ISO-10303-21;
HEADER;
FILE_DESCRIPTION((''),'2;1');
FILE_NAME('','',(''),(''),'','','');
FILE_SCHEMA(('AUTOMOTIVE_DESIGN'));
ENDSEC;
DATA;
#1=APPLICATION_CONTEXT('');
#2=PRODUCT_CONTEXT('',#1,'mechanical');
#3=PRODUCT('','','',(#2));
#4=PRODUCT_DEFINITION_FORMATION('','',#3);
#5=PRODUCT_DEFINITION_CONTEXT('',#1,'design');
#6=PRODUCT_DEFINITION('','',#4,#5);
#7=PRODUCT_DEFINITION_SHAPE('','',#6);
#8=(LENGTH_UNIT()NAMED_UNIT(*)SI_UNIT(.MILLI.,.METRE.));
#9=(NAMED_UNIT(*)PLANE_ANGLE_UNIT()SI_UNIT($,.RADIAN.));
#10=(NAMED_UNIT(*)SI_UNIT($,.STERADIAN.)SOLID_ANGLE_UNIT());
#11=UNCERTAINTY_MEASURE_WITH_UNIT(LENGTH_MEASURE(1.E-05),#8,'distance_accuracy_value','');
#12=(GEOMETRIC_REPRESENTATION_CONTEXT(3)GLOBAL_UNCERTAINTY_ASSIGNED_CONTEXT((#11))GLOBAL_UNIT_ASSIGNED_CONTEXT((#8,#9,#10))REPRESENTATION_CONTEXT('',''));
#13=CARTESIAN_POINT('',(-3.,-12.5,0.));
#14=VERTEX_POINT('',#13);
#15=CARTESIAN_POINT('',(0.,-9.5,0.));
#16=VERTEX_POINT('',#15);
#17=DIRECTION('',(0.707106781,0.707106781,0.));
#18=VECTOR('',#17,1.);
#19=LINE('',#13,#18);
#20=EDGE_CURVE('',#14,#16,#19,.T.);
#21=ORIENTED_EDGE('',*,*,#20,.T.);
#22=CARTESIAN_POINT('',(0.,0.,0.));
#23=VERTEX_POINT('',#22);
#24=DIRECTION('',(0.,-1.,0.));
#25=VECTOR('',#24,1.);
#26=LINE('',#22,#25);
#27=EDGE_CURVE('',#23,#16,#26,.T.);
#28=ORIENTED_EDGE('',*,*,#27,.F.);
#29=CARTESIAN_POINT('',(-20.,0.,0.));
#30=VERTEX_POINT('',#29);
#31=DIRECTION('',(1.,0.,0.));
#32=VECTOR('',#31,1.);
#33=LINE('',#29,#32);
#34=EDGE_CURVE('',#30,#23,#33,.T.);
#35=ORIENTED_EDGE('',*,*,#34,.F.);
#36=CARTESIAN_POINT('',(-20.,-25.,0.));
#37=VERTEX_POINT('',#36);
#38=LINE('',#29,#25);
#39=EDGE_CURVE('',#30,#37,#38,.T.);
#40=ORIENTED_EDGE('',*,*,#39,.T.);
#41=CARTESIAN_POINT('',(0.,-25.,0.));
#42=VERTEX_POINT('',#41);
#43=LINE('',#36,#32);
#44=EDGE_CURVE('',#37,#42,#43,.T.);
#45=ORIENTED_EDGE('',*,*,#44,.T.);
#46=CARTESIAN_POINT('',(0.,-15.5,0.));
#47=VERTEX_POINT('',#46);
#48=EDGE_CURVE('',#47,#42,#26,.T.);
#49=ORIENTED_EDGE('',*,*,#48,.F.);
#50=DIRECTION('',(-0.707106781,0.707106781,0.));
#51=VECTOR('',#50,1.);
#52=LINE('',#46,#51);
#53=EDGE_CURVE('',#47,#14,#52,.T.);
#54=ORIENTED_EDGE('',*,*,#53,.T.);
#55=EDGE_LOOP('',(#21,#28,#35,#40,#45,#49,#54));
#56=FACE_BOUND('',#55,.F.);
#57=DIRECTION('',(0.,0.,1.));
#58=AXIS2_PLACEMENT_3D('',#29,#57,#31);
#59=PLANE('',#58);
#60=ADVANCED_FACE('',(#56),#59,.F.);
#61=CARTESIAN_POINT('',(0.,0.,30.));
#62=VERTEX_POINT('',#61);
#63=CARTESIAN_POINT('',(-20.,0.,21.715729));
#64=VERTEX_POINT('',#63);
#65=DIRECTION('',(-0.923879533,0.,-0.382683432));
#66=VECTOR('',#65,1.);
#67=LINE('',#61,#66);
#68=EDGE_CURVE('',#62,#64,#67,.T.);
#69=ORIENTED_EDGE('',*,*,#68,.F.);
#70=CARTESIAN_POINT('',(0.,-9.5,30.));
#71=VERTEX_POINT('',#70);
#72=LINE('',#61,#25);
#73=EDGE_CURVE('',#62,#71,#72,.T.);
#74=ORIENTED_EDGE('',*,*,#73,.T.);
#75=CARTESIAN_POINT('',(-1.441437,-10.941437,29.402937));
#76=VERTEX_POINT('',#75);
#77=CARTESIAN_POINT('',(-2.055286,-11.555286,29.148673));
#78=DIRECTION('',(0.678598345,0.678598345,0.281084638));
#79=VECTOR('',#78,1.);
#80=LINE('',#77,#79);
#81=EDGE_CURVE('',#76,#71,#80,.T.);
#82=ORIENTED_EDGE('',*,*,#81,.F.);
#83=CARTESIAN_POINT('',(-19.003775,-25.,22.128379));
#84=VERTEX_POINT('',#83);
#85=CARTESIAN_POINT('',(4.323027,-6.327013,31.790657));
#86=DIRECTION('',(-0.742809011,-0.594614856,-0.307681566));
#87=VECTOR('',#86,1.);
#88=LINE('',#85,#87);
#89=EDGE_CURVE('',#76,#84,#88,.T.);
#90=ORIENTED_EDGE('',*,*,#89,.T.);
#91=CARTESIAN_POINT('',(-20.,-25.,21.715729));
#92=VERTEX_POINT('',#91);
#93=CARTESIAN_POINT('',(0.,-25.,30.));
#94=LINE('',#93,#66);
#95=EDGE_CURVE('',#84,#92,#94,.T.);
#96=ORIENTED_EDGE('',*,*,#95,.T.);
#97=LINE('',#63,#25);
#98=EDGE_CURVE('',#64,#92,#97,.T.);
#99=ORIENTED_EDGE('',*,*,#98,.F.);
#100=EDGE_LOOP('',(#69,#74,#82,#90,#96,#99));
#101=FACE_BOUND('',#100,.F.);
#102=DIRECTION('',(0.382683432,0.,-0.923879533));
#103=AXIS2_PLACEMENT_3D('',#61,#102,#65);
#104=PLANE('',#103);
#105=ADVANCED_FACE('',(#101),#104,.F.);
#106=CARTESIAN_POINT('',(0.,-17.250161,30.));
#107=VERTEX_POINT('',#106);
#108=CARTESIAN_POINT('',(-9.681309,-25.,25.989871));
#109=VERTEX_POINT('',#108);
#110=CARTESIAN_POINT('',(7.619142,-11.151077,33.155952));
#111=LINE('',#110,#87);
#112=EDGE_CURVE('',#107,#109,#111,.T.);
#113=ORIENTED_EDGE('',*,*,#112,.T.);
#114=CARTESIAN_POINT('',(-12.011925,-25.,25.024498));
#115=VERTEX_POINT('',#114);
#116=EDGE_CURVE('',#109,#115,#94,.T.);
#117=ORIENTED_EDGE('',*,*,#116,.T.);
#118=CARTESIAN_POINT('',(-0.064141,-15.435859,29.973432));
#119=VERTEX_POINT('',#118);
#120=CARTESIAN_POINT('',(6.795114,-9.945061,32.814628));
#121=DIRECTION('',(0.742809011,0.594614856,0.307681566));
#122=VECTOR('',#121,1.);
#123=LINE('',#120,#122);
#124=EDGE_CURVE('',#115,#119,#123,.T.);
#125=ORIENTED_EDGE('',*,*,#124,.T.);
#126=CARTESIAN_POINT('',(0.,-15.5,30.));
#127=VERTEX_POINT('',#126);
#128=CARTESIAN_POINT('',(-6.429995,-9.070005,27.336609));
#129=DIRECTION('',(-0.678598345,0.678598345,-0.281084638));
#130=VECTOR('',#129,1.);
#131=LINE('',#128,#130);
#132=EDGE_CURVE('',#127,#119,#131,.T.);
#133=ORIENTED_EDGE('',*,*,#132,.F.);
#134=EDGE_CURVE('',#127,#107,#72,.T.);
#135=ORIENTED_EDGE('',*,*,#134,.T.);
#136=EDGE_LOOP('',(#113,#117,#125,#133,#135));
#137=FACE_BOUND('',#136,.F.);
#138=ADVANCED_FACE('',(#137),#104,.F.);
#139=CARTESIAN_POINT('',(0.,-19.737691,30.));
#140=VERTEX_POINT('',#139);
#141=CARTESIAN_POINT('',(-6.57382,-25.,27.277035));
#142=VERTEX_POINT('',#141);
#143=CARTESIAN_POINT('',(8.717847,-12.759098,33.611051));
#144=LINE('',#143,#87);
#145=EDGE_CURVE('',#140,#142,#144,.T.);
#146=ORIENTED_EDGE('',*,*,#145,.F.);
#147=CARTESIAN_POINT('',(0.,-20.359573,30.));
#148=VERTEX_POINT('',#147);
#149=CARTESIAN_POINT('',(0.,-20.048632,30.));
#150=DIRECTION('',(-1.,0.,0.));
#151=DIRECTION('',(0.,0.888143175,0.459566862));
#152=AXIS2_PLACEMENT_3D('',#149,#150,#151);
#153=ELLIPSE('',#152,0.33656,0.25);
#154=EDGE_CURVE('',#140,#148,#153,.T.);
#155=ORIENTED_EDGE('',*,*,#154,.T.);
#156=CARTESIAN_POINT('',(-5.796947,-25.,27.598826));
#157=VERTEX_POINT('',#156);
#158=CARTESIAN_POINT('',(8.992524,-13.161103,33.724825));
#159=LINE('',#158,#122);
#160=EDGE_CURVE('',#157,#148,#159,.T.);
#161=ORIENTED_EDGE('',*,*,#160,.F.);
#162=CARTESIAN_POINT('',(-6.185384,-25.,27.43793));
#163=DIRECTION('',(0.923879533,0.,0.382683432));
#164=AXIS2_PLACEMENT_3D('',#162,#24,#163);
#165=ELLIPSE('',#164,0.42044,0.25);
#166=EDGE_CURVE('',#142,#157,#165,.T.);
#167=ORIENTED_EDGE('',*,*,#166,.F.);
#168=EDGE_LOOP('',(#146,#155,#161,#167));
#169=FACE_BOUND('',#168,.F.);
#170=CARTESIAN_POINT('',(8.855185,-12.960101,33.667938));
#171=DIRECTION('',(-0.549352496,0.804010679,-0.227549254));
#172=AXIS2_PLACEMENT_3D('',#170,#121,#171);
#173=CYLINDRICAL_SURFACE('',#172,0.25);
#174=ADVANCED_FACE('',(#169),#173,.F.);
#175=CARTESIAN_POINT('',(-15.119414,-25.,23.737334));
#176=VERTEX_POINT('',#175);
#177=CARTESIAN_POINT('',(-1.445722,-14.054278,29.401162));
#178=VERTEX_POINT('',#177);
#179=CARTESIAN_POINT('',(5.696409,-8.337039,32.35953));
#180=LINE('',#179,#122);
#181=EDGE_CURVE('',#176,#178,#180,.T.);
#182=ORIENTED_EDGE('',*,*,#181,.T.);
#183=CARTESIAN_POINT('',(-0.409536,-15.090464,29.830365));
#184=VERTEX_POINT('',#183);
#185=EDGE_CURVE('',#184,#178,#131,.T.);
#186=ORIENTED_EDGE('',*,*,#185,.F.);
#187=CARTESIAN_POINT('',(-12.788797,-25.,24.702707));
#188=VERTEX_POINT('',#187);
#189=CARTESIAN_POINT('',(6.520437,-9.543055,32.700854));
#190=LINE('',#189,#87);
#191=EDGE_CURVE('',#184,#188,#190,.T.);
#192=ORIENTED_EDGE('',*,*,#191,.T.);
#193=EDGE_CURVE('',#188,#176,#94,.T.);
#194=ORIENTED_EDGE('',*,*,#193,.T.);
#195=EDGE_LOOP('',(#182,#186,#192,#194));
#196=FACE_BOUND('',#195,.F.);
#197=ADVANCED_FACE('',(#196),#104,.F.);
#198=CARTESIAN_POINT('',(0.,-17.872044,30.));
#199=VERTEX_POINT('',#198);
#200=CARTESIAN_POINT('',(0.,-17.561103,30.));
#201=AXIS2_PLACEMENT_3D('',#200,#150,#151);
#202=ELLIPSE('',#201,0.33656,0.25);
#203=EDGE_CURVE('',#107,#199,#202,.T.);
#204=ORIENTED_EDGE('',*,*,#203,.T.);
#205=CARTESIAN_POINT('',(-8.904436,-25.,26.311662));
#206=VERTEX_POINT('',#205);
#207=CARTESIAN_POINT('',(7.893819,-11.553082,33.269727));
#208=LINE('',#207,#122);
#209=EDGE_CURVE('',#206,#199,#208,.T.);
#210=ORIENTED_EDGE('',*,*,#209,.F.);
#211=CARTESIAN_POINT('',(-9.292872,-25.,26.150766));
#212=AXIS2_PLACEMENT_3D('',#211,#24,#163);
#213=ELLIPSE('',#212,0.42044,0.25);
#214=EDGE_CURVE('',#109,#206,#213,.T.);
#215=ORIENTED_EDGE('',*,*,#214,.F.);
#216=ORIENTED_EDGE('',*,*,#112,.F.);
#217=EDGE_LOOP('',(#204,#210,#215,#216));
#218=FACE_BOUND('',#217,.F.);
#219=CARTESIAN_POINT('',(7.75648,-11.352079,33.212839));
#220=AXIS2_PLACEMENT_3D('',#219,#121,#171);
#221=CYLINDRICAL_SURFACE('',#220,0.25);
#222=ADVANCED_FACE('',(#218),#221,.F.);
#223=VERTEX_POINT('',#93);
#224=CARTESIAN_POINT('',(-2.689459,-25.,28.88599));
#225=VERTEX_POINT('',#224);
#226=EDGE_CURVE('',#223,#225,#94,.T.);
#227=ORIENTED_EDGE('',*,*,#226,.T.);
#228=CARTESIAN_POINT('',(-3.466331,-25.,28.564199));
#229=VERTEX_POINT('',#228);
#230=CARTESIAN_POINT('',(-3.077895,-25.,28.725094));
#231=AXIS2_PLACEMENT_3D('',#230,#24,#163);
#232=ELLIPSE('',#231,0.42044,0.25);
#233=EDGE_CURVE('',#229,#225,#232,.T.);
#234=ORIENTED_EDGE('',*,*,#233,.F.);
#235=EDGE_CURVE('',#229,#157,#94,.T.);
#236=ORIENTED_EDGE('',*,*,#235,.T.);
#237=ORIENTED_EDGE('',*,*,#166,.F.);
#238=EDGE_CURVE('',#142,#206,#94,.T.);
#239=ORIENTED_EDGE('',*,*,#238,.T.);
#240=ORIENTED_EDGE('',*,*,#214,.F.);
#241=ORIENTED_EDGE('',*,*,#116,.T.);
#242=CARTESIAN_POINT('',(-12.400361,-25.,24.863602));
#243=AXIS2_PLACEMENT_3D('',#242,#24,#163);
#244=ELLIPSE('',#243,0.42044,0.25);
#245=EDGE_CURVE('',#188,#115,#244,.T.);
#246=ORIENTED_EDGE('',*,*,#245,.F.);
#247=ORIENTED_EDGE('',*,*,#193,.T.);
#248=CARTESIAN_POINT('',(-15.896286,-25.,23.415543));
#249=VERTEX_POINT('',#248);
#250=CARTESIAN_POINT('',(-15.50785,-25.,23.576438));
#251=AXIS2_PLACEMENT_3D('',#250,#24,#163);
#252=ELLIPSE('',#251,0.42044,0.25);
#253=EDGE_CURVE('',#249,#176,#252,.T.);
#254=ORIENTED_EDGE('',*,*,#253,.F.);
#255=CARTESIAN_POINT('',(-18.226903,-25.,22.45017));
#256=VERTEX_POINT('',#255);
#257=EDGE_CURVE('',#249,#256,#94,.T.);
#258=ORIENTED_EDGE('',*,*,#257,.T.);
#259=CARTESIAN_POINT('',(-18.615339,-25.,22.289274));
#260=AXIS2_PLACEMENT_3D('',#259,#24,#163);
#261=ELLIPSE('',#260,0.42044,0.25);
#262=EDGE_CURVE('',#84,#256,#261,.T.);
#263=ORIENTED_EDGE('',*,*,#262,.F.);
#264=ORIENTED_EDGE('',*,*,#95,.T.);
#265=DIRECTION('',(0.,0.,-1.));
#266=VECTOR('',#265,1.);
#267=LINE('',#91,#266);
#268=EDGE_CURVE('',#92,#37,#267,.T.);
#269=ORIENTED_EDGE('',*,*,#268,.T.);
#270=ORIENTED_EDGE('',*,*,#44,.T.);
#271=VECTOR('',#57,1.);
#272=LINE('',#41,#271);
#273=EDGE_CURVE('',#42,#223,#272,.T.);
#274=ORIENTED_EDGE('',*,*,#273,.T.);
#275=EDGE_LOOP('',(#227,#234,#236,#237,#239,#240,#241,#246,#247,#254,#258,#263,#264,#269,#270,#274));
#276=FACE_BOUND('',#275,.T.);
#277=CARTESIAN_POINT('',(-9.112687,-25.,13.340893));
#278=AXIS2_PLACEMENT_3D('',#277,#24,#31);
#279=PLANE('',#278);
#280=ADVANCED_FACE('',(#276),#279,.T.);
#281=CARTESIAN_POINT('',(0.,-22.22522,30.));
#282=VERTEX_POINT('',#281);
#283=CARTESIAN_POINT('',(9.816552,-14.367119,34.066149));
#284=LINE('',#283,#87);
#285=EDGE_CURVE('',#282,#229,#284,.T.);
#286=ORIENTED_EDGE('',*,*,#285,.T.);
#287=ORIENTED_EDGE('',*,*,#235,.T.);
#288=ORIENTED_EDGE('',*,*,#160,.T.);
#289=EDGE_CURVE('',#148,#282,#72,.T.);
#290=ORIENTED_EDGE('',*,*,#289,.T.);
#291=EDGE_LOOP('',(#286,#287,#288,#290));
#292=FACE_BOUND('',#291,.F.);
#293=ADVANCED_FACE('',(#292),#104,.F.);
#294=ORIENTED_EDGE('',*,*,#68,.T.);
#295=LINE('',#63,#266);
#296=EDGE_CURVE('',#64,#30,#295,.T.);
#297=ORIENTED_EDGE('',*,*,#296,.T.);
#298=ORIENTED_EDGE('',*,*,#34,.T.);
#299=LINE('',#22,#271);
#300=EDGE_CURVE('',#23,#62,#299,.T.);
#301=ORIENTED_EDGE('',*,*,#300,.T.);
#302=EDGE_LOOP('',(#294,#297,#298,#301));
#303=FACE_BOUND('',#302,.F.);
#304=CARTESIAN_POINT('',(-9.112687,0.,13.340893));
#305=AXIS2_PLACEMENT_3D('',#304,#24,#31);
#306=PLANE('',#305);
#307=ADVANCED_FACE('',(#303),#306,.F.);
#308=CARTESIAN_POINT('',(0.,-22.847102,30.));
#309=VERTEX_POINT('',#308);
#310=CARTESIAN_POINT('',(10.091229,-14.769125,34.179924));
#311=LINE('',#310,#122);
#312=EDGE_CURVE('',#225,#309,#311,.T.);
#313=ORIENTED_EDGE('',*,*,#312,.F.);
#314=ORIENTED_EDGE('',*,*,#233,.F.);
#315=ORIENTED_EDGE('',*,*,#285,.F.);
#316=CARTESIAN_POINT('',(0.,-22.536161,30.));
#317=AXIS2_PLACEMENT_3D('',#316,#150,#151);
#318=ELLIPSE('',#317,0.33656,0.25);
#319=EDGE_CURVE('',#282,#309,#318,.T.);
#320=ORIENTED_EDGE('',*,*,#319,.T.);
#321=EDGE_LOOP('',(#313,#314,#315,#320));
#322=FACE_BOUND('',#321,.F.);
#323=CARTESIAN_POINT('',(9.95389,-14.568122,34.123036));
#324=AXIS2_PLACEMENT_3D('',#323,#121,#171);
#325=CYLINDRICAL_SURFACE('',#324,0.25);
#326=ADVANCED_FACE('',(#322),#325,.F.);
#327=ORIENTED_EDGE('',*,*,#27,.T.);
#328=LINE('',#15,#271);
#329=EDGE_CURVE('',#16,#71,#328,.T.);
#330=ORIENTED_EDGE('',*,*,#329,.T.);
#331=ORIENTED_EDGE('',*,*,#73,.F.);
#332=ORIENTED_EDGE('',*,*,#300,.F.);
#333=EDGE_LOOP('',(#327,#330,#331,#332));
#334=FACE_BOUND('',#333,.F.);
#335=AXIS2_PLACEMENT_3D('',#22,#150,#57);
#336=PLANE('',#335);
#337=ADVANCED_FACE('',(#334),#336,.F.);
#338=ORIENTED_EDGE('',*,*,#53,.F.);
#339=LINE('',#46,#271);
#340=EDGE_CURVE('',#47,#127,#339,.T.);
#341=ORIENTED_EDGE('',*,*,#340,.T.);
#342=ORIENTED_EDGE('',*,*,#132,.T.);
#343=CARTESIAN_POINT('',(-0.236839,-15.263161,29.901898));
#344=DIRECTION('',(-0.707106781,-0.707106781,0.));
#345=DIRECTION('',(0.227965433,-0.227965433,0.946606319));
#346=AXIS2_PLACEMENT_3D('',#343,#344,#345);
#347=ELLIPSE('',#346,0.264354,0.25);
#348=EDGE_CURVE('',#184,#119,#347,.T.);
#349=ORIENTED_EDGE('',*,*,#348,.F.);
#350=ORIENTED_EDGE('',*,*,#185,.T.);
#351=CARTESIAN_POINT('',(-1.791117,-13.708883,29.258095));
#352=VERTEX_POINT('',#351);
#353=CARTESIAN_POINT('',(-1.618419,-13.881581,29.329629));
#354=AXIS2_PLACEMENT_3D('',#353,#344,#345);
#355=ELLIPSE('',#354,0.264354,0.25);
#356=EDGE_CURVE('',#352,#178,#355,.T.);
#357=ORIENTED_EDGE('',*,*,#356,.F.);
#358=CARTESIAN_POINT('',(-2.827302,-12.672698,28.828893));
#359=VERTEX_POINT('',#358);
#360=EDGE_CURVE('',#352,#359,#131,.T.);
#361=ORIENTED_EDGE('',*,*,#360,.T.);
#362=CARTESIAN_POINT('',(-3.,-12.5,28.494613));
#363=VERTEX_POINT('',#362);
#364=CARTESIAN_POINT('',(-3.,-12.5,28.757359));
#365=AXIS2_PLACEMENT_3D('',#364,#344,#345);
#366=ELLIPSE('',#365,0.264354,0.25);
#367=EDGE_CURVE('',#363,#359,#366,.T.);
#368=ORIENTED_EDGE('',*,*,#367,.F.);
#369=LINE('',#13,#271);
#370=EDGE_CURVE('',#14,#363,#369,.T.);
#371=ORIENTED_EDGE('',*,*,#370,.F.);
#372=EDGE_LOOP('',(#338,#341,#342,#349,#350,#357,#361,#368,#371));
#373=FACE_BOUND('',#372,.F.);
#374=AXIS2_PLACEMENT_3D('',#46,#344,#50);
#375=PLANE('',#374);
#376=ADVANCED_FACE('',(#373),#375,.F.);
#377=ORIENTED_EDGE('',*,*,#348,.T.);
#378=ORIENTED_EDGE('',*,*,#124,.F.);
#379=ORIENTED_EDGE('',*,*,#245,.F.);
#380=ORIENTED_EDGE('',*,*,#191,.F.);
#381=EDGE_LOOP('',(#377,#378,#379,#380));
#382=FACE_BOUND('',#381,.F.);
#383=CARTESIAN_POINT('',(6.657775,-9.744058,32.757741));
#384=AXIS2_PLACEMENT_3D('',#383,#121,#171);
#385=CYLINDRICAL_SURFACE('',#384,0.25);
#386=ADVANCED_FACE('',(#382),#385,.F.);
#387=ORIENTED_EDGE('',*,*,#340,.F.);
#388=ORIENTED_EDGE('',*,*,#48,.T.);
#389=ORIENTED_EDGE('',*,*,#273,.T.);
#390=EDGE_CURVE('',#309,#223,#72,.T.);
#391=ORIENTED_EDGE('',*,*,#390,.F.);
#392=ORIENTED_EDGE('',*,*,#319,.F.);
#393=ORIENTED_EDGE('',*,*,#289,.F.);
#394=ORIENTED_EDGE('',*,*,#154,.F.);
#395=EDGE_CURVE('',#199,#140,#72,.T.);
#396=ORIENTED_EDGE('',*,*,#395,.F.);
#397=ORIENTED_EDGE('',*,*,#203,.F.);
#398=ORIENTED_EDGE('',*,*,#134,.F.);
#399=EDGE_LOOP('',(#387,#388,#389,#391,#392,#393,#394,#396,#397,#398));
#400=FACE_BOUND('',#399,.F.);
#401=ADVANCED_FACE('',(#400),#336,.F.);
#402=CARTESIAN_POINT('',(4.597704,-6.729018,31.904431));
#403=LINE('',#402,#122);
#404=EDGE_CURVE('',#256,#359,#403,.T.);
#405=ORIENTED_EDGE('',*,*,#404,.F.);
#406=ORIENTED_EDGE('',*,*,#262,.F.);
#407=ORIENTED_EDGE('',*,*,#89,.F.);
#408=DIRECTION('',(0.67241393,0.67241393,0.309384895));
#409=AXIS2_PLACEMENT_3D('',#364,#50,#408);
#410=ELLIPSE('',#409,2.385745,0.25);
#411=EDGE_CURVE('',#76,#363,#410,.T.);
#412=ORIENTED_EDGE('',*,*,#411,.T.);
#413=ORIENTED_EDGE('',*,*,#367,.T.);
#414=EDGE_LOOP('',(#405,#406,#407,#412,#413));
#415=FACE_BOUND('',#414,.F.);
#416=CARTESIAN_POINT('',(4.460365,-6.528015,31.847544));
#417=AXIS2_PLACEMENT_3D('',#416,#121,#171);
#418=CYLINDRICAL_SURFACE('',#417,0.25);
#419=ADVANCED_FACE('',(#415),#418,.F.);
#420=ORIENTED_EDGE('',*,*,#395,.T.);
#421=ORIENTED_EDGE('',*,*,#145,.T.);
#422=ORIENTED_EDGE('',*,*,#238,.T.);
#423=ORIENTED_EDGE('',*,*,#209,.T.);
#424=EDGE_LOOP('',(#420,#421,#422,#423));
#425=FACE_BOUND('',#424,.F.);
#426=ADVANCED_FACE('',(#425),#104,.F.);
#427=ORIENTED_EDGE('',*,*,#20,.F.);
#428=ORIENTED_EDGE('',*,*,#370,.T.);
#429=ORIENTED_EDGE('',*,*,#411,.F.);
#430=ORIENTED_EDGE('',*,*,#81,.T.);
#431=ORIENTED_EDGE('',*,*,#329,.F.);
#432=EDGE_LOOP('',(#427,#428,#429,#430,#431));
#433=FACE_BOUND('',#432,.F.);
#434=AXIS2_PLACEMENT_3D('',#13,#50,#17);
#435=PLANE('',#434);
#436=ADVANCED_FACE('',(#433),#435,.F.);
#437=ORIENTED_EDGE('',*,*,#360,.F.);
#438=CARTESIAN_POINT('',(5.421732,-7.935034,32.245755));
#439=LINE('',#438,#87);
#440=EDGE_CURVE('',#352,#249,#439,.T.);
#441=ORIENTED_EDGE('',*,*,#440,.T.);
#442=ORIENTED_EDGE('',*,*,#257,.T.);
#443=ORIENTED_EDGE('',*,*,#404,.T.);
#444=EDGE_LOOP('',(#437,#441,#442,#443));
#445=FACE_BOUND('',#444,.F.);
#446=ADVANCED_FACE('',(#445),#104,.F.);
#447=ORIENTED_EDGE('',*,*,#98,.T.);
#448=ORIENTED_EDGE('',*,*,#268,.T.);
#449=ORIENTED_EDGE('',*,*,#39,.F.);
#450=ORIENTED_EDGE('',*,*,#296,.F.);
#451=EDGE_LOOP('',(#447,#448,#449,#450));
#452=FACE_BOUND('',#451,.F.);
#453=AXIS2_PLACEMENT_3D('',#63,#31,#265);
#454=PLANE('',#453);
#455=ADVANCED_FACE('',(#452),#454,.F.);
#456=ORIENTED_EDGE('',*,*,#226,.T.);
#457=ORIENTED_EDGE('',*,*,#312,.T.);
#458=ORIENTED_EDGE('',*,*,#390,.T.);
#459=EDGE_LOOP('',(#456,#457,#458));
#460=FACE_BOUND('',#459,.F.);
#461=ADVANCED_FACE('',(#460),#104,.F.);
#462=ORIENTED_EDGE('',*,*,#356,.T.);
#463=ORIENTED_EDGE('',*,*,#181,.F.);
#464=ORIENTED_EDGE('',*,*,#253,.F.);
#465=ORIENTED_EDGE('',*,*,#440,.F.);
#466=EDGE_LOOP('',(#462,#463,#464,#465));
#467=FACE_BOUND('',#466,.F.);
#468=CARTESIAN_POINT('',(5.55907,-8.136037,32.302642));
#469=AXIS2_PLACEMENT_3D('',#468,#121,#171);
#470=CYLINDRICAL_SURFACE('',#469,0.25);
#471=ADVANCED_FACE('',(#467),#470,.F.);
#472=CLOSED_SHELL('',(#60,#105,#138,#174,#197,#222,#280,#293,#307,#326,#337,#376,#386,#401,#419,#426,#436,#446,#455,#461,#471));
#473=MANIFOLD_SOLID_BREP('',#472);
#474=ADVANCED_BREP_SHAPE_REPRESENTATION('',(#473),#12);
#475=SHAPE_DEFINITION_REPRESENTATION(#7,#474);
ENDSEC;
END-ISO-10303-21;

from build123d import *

# Parameters (mm, degrees)
F1_DEPTH = 25
F3_DEPTH = 30.001
F6_R     = 0.25
F7_DEPTH = 38.9529986152


with BuildPart() as f1:
    # F0 (on Front) → F1 (new body)
    with BuildSketch(Plane.XZ):
        Polygon((-20, 0), (0, 0), (0, 30), (-20, 21.7157287525), align=None)
    extrude(amount=F1_DEPTH)

    # F2 (on face) → F3 (cut, through all)
    with BuildSketch(Plane(origin=(0, 0, 0), x_dir=(1, 0, 0), z_dir=(0, 0, -1))):
        Polygon((0, 9.5), (0, 15.5), (-3, 12.5), align=None)
    extrude(amount=-F3_DEPTH, mode=Mode.SUBTRACT)

    # F6 (on line) → F7 (cut, through all)
    with BuildSketch(Plane(origin=(6.8564591979, 5.4885609135, 2.8400383896), x_dir=(-0.5493524956, 0.8040106793, -0.2275492542), z_dir=(0.7428090106, 0.5946148564, 0.3076815664))):
        with Locations((-14.9457916694, 27.7163859753)):
            Circle(F6_R)
        with Locations((-16.9457916694, 27.7163859753)):
            Circle(F6_R)
        with Locations((-18.9457916694, 27.7163859753)):
            Circle(F6_R)
        with Locations((-20.9457916694, 27.7163859753)):
            Circle(F6_R)
        with Locations((-22.9457916694, 27.7163859753)):
            Circle(F6_R)
        with Locations((-24.9457916694, 27.7163859753)):
            Circle(F6_R)
    extrude(amount=-F7_DEPTH, mode=Mode.SUBTRACT)


solid = f1.part
